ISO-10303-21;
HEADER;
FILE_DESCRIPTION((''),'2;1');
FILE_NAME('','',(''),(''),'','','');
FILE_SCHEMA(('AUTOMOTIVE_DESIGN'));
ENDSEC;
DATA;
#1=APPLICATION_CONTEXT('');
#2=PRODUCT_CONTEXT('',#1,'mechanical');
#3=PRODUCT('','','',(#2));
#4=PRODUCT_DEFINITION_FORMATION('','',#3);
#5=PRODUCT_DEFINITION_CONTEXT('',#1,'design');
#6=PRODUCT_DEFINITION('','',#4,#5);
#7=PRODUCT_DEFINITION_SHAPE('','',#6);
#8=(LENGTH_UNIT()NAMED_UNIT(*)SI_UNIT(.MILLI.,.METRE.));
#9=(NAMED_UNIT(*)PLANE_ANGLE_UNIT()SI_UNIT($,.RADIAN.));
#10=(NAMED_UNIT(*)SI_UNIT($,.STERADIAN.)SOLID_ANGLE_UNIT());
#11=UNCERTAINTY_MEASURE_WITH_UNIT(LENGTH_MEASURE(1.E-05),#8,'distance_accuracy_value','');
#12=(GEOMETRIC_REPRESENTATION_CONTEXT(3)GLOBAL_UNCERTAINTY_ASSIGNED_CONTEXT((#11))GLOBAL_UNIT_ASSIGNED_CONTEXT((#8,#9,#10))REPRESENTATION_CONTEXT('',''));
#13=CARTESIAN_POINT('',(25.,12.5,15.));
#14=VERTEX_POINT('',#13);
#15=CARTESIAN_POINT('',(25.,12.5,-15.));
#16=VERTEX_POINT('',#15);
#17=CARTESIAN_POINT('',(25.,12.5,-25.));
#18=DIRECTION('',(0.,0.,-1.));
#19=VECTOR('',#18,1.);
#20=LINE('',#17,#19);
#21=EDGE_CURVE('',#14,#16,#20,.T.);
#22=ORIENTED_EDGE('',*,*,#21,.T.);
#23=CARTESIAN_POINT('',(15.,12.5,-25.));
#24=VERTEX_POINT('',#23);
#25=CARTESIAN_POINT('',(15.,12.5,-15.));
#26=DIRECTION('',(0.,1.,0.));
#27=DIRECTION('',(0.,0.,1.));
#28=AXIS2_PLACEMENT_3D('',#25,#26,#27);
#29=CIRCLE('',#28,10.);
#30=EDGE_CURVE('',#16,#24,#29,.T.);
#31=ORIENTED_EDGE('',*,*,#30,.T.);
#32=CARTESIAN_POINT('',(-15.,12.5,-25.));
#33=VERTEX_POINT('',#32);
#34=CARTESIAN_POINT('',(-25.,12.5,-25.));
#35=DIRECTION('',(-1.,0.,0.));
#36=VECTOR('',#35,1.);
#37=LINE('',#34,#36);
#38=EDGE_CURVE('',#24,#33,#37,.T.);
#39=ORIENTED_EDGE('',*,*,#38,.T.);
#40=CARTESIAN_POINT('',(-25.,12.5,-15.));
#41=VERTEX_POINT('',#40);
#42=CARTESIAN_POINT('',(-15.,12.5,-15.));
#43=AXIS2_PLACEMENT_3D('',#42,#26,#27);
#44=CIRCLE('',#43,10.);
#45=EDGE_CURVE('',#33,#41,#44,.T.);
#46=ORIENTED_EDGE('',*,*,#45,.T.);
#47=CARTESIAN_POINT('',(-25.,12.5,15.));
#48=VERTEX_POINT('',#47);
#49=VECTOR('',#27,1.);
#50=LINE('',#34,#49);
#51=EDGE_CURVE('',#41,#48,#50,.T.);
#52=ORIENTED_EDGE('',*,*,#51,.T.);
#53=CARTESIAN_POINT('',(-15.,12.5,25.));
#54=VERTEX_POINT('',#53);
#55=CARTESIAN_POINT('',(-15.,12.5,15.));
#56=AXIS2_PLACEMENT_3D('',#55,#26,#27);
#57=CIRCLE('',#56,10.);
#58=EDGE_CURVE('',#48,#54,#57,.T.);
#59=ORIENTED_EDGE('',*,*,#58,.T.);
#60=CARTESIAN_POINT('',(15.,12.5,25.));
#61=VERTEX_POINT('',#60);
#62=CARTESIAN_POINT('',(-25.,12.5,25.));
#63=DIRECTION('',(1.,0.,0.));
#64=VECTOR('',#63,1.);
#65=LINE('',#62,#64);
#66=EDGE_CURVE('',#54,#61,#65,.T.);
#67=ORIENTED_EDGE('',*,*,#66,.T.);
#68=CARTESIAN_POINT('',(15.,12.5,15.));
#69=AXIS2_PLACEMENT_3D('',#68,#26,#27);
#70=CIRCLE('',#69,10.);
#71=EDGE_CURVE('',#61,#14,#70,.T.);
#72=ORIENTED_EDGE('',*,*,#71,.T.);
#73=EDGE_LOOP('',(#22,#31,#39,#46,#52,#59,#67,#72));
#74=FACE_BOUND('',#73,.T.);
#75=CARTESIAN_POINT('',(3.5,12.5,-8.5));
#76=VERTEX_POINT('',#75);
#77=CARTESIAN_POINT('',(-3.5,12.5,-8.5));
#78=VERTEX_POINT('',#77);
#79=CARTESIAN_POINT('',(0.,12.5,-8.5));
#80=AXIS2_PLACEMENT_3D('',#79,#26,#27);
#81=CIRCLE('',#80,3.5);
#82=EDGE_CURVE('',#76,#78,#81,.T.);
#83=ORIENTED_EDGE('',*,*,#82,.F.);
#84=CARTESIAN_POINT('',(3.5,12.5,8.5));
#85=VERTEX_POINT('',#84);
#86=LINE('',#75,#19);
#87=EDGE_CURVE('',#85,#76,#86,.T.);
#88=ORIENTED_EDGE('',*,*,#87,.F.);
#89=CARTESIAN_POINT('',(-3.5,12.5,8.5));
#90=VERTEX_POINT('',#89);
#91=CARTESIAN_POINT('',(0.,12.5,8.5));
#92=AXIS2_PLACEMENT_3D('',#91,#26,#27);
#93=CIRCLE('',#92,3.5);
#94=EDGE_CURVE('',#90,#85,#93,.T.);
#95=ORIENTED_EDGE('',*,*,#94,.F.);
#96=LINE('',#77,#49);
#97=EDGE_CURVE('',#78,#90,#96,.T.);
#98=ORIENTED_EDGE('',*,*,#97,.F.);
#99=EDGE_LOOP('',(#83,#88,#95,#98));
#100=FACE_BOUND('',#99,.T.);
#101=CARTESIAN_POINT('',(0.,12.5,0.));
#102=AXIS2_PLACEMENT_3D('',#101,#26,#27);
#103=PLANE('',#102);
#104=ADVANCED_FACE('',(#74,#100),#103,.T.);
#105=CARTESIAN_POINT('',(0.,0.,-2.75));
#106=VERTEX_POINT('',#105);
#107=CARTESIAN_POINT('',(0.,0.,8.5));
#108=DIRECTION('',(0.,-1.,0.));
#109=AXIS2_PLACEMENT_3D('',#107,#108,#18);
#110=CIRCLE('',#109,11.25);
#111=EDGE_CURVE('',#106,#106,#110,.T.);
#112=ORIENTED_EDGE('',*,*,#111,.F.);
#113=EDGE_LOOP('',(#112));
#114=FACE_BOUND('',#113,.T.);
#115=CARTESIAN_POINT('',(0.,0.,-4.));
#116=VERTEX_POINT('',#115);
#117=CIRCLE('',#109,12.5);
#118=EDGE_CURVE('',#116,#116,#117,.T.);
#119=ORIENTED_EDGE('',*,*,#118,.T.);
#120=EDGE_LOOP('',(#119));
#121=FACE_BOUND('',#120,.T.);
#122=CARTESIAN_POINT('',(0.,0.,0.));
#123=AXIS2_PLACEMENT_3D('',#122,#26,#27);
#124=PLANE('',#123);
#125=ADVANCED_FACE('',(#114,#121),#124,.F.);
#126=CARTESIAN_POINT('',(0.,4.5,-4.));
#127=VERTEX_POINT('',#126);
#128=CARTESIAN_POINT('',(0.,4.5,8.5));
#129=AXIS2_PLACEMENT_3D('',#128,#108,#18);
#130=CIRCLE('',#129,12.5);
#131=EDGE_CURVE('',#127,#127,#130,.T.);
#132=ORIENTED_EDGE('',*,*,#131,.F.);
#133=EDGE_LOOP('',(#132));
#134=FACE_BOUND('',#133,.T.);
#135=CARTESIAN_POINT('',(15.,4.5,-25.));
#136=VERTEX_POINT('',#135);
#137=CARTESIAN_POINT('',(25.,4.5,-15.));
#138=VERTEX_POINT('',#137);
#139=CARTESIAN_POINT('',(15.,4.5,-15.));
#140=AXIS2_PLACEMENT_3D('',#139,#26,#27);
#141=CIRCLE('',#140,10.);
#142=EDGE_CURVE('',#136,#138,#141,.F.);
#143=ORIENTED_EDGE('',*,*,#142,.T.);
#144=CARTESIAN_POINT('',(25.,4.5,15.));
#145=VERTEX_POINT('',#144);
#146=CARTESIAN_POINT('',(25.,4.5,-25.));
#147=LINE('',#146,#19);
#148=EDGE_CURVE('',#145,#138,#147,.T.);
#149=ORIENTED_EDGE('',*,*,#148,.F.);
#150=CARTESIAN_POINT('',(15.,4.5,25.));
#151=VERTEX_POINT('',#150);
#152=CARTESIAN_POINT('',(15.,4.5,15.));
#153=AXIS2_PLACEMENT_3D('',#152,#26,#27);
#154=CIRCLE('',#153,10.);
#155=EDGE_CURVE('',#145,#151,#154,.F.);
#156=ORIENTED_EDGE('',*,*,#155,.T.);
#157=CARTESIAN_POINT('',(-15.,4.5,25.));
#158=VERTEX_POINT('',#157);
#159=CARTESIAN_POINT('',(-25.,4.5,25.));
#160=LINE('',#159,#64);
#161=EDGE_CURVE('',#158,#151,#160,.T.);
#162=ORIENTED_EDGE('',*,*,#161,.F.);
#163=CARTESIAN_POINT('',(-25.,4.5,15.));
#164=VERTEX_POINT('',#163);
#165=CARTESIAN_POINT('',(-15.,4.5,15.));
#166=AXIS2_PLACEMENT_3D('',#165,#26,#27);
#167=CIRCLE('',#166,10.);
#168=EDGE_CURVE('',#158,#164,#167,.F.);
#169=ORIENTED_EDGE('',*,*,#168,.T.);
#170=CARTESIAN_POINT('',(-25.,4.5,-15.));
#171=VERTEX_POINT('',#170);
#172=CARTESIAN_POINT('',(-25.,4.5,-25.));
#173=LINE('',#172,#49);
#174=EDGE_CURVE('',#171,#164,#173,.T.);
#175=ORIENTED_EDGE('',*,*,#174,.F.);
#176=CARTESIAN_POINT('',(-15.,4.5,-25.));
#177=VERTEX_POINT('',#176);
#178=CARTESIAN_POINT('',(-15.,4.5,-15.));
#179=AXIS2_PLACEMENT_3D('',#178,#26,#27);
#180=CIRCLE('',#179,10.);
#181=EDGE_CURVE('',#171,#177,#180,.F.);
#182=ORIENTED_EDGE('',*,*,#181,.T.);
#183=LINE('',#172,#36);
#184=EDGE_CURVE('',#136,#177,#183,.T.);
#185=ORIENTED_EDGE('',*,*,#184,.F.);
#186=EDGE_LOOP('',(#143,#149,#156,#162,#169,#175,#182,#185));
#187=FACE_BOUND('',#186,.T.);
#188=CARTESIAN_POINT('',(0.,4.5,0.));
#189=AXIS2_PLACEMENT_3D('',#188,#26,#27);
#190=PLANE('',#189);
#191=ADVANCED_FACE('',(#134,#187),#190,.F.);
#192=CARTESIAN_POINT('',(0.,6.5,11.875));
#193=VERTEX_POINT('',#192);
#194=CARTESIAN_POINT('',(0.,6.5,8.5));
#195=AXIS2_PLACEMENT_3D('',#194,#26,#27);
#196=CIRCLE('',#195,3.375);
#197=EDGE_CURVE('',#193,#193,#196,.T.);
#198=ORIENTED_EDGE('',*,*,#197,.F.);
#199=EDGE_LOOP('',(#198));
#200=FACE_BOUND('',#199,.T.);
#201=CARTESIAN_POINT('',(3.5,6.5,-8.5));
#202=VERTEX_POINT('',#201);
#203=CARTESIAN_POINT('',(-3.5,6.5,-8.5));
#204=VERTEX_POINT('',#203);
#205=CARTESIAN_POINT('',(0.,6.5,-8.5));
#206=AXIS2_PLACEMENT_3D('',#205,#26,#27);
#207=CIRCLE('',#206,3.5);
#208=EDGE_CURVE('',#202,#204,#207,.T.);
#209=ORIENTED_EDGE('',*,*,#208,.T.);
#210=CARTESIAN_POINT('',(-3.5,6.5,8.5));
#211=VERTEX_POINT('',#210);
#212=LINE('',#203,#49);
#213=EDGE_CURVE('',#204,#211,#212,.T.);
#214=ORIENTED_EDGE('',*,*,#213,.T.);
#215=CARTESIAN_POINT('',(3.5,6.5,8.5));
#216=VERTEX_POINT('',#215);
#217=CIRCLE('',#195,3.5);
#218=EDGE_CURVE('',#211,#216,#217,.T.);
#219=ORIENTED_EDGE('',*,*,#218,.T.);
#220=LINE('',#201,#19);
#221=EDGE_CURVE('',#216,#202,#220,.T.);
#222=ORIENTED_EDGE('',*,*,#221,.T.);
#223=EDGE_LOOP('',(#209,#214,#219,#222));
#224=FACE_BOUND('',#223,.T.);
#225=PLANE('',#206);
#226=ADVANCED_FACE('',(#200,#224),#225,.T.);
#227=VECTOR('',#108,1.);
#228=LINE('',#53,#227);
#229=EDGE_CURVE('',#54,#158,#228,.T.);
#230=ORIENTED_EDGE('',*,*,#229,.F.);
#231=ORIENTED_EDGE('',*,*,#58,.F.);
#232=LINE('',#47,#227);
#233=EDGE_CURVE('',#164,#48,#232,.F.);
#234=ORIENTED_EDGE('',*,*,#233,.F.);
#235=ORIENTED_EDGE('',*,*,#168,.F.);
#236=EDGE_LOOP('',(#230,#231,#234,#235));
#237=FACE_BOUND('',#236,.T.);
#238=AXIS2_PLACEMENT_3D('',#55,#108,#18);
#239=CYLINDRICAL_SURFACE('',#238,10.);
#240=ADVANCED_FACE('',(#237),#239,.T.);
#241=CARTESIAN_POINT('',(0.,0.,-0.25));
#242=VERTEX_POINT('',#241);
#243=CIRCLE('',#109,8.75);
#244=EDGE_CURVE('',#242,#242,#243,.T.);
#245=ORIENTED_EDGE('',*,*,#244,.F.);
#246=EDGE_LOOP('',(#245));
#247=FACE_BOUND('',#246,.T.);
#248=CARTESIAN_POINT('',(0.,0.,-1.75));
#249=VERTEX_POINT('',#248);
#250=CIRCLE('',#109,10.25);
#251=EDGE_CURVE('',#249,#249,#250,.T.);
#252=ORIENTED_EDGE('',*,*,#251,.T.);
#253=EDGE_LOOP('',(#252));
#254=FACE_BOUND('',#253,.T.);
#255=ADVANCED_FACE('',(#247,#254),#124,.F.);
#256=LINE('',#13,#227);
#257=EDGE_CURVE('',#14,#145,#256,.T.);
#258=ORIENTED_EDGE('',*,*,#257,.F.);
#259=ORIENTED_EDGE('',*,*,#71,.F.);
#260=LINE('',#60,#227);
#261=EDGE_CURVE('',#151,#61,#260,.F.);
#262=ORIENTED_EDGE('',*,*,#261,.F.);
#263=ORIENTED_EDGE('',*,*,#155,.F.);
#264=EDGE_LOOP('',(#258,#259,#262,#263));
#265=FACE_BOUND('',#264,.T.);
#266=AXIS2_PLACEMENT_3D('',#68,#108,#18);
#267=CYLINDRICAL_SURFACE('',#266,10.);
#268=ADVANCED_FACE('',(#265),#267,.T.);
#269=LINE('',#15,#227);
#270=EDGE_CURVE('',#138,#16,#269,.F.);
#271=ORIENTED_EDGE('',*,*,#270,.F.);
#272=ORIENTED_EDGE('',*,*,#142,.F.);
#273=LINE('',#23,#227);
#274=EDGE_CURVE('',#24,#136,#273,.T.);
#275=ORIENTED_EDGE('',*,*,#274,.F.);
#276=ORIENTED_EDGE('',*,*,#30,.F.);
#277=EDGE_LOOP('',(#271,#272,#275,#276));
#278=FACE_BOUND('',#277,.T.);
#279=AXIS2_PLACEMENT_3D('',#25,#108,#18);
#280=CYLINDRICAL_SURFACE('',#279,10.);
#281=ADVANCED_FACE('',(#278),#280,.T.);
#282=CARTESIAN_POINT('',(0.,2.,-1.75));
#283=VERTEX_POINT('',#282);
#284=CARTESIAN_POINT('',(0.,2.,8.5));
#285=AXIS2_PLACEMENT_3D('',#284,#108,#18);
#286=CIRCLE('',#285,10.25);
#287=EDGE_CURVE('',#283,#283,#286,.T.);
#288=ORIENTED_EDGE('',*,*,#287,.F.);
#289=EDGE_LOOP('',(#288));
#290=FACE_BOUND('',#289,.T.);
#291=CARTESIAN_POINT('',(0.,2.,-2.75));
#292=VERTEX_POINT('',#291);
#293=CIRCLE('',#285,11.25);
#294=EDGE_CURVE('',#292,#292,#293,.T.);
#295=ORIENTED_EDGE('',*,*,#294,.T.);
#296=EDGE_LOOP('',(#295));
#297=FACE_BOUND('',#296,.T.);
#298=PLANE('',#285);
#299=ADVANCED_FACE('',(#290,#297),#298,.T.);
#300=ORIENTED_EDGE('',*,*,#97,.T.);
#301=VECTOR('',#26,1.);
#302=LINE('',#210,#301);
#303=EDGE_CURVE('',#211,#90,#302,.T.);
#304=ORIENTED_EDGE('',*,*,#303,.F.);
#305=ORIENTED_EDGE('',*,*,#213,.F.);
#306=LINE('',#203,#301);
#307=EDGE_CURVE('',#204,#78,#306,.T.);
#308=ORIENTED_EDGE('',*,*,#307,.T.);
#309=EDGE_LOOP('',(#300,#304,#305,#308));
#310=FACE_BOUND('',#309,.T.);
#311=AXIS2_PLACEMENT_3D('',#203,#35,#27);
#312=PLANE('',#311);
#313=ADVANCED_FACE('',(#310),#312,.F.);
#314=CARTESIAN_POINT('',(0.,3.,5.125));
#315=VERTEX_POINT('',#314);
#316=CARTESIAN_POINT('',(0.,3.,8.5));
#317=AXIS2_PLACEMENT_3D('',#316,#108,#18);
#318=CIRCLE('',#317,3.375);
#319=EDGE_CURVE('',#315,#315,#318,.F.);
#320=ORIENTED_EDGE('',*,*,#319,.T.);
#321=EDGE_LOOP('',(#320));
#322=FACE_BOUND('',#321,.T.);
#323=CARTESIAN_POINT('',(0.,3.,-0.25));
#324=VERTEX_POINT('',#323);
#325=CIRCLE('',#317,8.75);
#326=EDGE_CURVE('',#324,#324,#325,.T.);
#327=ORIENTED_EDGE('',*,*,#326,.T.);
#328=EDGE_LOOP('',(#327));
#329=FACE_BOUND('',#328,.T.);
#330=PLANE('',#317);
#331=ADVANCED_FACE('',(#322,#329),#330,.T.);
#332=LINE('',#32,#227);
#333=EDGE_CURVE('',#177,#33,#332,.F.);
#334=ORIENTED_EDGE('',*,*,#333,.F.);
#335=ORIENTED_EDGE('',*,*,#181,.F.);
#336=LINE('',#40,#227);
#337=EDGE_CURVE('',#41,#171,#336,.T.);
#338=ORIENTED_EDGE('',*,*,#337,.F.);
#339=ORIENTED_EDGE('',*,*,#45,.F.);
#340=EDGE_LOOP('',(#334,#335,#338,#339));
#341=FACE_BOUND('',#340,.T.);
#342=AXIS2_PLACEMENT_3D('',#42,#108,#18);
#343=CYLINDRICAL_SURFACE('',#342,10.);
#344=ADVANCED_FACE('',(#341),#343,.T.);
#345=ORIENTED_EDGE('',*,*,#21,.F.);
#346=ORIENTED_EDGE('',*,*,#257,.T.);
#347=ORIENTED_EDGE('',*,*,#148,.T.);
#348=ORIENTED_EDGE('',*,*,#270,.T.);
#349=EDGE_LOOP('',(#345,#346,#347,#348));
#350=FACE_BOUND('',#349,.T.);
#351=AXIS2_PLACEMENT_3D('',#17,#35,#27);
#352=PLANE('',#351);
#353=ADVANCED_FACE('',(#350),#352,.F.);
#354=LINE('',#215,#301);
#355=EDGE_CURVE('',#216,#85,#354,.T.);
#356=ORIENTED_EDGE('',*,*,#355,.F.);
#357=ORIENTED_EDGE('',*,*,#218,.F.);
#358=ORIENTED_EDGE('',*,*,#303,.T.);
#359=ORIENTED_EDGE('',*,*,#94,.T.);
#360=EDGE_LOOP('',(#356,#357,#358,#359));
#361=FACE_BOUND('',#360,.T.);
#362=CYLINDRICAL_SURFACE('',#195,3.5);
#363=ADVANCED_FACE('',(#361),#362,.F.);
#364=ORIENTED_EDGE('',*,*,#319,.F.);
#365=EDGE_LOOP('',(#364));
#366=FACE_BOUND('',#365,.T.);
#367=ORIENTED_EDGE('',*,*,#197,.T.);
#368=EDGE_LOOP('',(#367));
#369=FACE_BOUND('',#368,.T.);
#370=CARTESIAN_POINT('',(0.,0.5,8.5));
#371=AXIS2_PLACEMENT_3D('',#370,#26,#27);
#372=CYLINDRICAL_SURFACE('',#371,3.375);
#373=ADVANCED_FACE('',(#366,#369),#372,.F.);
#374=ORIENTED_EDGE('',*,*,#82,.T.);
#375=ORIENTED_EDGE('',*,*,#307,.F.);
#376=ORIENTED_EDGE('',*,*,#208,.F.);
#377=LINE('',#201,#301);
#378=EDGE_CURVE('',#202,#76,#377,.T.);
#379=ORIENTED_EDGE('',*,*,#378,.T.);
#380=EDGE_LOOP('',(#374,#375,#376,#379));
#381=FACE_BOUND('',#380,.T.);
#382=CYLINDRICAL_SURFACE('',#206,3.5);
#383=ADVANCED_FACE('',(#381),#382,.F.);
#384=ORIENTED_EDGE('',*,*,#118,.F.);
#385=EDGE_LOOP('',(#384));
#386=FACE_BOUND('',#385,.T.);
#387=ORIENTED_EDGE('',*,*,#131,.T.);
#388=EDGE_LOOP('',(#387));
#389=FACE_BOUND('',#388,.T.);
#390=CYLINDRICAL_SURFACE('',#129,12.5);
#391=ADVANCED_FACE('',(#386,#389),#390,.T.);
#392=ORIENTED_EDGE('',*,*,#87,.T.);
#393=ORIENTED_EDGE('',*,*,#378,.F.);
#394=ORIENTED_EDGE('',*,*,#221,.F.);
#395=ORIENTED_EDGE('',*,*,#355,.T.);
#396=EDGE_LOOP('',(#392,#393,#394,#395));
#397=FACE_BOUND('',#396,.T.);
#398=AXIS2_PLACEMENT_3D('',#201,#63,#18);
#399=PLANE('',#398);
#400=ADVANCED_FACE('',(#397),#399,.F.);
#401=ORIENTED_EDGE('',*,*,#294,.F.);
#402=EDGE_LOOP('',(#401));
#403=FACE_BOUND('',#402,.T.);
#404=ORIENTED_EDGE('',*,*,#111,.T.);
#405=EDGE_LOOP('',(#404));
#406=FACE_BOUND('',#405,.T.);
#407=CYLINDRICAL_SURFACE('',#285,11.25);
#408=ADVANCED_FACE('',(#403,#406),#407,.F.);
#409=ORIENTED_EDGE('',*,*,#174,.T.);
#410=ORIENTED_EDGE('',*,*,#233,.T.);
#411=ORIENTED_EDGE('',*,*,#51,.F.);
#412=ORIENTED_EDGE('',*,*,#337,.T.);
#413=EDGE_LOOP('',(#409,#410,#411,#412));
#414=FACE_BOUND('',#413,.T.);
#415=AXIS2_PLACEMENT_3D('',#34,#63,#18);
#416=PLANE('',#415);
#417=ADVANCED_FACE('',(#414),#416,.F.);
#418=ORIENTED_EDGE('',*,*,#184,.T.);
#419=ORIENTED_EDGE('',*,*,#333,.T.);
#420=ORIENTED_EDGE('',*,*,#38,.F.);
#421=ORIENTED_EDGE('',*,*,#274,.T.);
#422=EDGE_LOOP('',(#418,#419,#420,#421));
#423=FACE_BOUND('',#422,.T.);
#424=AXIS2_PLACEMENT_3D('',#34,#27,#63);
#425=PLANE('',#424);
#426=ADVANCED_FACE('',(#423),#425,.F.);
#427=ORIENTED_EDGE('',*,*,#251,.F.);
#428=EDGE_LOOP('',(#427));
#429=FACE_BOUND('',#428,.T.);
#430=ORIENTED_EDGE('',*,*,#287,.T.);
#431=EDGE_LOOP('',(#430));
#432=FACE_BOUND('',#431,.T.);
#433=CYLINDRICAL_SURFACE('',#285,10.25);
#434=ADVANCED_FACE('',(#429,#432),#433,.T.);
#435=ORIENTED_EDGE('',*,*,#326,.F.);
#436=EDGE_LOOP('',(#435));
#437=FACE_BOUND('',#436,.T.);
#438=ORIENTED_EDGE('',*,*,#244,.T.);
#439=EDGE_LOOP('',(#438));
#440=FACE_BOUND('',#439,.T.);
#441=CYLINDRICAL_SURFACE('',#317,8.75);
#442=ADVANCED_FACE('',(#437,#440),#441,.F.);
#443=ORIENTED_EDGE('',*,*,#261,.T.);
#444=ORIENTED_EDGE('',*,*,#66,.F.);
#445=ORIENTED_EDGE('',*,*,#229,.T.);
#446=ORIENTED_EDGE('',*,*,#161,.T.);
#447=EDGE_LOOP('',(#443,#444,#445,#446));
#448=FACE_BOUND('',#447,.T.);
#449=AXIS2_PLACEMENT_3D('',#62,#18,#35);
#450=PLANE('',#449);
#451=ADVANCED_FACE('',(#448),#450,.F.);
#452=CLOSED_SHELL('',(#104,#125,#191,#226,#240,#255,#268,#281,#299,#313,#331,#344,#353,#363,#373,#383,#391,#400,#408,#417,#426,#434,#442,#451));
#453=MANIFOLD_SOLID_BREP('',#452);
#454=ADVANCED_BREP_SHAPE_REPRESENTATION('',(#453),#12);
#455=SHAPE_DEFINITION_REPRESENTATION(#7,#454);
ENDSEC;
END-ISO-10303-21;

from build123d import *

# Parameters (mm, degrees)
SKETCH_1_W          = 50
SKETCH_1_H          = 50
EXTRUDE_1_DEPTH     = 12.5
FILLET_1_R          = 10
CUT_EXTRUDE_1_DEPTH = 6
SKETCH_3_R          = 3.375
CUT_EXTRUDE_2_DEPTH = 6
SKETCH_4_R          = 8.75
CUT_EXTRUDE_3_DEPTH = 3
SKETCH_5_W          = 67.74325056
SKETCH_5_H          = 59.124248938
SKETCH_5_R          = 12.5
CUT_EXTRUDE_4_DEPTH = 4.5
SKETCH_6_R          = 11.25
SKETCH_6_R_2        = 10.25
CUT_EXTRUDE_5_DEPTH = 2


with BuildPart() as part:
    # 草图1 → 凸台-拉伸1 (new body)
    with BuildSketch(Plane(origin=(0, 0, 0), x_dir=(1, 0, 0), z_dir=(0, 1, 0))):
        Rectangle(SKETCH_1_W, SKETCH_1_H)
    extrude(amount=EXTRUDE_1_DEPTH)

    # 圆角1
    fillet_1_edges = [part.edges().sort_by_distance(p)[0] for p in [
        (-25, 6.25, -25),
        (25, 6.25, -25),
        (25, 6.25, 25),
        (-25, 6.25, 25),
    ]]
    fillet(fillet_1_edges, radius=FILLET_1_R)

    # 草图2 → 切除-拉伸1 (cut)
    with BuildSketch(Plane(origin=(0, 12.5, 0), x_dir=(1, 0, 0), z_dir=(0, 1, 0))):
        with BuildLine():
            Line((3.5, 8.5), (3.5, -8.5))
            ThreePointArc((3.5, -8.5), (0, -12), (-3.5, -8.5))
            Line((-3.5, -8.5), (-3.5, 8.5))
            ThreePointArc((-3.5, 8.5), (0, 12), (3.5, 8.5))
        make_face()
    extrude(amount=-CUT_EXTRUDE_1_DEPTH, mode=Mode.SUBTRACT)

    # 草图3 → 切除-拉伸2 (cut)
    with BuildSketch(Plane(origin=(0, 6.5, 0), x_dir=(1, 0, 0), z_dir=(0, 1, 0))):
        with Locations(Location((0, -8.5, 0), (0, 0, 270))):
            Circle(SKETCH_3_R)
    extrude(amount=-CUT_EXTRUDE_2_DEPTH, mode=Mode.SUBTRACT)

    # 草图4 → 切除-拉伸3 (cut)
    with BuildSketch(Plane(origin=(0, 0, 0), x_dir=(-1, 0, 0), z_dir=(0, -1, 0))):
        with Locations(Location((0, -8.5, 0), (0, 0, 90))):
            Circle(SKETCH_4_R)
    extrude(amount=-CUT_EXTRUDE_3_DEPTH, mode=Mode.SUBTRACT)

    # 草图5 → 切除-拉伸4 (cut)
    with BuildSketch(Plane(origin=(0, 0, 0), x_dir=(-1, 0, 0), z_dir=(0, -1, 0))):
        with Locations((1.182484979, -0.052554888)):
            Rectangle(SKETCH_5_W, SKETCH_5_H)
        with Locations(Location((0, -8.5, 0), (0, 0, 90))):
            Circle(SKETCH_5_R, mode=Mode.SUBTRACT)
    extrude(amount=-CUT_EXTRUDE_4_DEPTH, mode=Mode.SUBTRACT)

    # 草图6 → 切除-拉伸5 (cut)
    with BuildSketch(Plane(origin=(0, 0, 0), x_dir=(-1, 0, 0), z_dir=(0, -1, 0))):
        with Locations(Location((0, -8.5, 0), (0, 0, 90))):
            Circle(SKETCH_6_R)
        with Locations(Location((0, -8.5, 0), (0, 0, 90))):
            Circle(SKETCH_6_R_2, mode=Mode.SUBTRACT)
    extrude(amount=-CUT_EXTRUDE_5_DEPTH, mode=Mode.SUBTRACT)


solid = part.part
